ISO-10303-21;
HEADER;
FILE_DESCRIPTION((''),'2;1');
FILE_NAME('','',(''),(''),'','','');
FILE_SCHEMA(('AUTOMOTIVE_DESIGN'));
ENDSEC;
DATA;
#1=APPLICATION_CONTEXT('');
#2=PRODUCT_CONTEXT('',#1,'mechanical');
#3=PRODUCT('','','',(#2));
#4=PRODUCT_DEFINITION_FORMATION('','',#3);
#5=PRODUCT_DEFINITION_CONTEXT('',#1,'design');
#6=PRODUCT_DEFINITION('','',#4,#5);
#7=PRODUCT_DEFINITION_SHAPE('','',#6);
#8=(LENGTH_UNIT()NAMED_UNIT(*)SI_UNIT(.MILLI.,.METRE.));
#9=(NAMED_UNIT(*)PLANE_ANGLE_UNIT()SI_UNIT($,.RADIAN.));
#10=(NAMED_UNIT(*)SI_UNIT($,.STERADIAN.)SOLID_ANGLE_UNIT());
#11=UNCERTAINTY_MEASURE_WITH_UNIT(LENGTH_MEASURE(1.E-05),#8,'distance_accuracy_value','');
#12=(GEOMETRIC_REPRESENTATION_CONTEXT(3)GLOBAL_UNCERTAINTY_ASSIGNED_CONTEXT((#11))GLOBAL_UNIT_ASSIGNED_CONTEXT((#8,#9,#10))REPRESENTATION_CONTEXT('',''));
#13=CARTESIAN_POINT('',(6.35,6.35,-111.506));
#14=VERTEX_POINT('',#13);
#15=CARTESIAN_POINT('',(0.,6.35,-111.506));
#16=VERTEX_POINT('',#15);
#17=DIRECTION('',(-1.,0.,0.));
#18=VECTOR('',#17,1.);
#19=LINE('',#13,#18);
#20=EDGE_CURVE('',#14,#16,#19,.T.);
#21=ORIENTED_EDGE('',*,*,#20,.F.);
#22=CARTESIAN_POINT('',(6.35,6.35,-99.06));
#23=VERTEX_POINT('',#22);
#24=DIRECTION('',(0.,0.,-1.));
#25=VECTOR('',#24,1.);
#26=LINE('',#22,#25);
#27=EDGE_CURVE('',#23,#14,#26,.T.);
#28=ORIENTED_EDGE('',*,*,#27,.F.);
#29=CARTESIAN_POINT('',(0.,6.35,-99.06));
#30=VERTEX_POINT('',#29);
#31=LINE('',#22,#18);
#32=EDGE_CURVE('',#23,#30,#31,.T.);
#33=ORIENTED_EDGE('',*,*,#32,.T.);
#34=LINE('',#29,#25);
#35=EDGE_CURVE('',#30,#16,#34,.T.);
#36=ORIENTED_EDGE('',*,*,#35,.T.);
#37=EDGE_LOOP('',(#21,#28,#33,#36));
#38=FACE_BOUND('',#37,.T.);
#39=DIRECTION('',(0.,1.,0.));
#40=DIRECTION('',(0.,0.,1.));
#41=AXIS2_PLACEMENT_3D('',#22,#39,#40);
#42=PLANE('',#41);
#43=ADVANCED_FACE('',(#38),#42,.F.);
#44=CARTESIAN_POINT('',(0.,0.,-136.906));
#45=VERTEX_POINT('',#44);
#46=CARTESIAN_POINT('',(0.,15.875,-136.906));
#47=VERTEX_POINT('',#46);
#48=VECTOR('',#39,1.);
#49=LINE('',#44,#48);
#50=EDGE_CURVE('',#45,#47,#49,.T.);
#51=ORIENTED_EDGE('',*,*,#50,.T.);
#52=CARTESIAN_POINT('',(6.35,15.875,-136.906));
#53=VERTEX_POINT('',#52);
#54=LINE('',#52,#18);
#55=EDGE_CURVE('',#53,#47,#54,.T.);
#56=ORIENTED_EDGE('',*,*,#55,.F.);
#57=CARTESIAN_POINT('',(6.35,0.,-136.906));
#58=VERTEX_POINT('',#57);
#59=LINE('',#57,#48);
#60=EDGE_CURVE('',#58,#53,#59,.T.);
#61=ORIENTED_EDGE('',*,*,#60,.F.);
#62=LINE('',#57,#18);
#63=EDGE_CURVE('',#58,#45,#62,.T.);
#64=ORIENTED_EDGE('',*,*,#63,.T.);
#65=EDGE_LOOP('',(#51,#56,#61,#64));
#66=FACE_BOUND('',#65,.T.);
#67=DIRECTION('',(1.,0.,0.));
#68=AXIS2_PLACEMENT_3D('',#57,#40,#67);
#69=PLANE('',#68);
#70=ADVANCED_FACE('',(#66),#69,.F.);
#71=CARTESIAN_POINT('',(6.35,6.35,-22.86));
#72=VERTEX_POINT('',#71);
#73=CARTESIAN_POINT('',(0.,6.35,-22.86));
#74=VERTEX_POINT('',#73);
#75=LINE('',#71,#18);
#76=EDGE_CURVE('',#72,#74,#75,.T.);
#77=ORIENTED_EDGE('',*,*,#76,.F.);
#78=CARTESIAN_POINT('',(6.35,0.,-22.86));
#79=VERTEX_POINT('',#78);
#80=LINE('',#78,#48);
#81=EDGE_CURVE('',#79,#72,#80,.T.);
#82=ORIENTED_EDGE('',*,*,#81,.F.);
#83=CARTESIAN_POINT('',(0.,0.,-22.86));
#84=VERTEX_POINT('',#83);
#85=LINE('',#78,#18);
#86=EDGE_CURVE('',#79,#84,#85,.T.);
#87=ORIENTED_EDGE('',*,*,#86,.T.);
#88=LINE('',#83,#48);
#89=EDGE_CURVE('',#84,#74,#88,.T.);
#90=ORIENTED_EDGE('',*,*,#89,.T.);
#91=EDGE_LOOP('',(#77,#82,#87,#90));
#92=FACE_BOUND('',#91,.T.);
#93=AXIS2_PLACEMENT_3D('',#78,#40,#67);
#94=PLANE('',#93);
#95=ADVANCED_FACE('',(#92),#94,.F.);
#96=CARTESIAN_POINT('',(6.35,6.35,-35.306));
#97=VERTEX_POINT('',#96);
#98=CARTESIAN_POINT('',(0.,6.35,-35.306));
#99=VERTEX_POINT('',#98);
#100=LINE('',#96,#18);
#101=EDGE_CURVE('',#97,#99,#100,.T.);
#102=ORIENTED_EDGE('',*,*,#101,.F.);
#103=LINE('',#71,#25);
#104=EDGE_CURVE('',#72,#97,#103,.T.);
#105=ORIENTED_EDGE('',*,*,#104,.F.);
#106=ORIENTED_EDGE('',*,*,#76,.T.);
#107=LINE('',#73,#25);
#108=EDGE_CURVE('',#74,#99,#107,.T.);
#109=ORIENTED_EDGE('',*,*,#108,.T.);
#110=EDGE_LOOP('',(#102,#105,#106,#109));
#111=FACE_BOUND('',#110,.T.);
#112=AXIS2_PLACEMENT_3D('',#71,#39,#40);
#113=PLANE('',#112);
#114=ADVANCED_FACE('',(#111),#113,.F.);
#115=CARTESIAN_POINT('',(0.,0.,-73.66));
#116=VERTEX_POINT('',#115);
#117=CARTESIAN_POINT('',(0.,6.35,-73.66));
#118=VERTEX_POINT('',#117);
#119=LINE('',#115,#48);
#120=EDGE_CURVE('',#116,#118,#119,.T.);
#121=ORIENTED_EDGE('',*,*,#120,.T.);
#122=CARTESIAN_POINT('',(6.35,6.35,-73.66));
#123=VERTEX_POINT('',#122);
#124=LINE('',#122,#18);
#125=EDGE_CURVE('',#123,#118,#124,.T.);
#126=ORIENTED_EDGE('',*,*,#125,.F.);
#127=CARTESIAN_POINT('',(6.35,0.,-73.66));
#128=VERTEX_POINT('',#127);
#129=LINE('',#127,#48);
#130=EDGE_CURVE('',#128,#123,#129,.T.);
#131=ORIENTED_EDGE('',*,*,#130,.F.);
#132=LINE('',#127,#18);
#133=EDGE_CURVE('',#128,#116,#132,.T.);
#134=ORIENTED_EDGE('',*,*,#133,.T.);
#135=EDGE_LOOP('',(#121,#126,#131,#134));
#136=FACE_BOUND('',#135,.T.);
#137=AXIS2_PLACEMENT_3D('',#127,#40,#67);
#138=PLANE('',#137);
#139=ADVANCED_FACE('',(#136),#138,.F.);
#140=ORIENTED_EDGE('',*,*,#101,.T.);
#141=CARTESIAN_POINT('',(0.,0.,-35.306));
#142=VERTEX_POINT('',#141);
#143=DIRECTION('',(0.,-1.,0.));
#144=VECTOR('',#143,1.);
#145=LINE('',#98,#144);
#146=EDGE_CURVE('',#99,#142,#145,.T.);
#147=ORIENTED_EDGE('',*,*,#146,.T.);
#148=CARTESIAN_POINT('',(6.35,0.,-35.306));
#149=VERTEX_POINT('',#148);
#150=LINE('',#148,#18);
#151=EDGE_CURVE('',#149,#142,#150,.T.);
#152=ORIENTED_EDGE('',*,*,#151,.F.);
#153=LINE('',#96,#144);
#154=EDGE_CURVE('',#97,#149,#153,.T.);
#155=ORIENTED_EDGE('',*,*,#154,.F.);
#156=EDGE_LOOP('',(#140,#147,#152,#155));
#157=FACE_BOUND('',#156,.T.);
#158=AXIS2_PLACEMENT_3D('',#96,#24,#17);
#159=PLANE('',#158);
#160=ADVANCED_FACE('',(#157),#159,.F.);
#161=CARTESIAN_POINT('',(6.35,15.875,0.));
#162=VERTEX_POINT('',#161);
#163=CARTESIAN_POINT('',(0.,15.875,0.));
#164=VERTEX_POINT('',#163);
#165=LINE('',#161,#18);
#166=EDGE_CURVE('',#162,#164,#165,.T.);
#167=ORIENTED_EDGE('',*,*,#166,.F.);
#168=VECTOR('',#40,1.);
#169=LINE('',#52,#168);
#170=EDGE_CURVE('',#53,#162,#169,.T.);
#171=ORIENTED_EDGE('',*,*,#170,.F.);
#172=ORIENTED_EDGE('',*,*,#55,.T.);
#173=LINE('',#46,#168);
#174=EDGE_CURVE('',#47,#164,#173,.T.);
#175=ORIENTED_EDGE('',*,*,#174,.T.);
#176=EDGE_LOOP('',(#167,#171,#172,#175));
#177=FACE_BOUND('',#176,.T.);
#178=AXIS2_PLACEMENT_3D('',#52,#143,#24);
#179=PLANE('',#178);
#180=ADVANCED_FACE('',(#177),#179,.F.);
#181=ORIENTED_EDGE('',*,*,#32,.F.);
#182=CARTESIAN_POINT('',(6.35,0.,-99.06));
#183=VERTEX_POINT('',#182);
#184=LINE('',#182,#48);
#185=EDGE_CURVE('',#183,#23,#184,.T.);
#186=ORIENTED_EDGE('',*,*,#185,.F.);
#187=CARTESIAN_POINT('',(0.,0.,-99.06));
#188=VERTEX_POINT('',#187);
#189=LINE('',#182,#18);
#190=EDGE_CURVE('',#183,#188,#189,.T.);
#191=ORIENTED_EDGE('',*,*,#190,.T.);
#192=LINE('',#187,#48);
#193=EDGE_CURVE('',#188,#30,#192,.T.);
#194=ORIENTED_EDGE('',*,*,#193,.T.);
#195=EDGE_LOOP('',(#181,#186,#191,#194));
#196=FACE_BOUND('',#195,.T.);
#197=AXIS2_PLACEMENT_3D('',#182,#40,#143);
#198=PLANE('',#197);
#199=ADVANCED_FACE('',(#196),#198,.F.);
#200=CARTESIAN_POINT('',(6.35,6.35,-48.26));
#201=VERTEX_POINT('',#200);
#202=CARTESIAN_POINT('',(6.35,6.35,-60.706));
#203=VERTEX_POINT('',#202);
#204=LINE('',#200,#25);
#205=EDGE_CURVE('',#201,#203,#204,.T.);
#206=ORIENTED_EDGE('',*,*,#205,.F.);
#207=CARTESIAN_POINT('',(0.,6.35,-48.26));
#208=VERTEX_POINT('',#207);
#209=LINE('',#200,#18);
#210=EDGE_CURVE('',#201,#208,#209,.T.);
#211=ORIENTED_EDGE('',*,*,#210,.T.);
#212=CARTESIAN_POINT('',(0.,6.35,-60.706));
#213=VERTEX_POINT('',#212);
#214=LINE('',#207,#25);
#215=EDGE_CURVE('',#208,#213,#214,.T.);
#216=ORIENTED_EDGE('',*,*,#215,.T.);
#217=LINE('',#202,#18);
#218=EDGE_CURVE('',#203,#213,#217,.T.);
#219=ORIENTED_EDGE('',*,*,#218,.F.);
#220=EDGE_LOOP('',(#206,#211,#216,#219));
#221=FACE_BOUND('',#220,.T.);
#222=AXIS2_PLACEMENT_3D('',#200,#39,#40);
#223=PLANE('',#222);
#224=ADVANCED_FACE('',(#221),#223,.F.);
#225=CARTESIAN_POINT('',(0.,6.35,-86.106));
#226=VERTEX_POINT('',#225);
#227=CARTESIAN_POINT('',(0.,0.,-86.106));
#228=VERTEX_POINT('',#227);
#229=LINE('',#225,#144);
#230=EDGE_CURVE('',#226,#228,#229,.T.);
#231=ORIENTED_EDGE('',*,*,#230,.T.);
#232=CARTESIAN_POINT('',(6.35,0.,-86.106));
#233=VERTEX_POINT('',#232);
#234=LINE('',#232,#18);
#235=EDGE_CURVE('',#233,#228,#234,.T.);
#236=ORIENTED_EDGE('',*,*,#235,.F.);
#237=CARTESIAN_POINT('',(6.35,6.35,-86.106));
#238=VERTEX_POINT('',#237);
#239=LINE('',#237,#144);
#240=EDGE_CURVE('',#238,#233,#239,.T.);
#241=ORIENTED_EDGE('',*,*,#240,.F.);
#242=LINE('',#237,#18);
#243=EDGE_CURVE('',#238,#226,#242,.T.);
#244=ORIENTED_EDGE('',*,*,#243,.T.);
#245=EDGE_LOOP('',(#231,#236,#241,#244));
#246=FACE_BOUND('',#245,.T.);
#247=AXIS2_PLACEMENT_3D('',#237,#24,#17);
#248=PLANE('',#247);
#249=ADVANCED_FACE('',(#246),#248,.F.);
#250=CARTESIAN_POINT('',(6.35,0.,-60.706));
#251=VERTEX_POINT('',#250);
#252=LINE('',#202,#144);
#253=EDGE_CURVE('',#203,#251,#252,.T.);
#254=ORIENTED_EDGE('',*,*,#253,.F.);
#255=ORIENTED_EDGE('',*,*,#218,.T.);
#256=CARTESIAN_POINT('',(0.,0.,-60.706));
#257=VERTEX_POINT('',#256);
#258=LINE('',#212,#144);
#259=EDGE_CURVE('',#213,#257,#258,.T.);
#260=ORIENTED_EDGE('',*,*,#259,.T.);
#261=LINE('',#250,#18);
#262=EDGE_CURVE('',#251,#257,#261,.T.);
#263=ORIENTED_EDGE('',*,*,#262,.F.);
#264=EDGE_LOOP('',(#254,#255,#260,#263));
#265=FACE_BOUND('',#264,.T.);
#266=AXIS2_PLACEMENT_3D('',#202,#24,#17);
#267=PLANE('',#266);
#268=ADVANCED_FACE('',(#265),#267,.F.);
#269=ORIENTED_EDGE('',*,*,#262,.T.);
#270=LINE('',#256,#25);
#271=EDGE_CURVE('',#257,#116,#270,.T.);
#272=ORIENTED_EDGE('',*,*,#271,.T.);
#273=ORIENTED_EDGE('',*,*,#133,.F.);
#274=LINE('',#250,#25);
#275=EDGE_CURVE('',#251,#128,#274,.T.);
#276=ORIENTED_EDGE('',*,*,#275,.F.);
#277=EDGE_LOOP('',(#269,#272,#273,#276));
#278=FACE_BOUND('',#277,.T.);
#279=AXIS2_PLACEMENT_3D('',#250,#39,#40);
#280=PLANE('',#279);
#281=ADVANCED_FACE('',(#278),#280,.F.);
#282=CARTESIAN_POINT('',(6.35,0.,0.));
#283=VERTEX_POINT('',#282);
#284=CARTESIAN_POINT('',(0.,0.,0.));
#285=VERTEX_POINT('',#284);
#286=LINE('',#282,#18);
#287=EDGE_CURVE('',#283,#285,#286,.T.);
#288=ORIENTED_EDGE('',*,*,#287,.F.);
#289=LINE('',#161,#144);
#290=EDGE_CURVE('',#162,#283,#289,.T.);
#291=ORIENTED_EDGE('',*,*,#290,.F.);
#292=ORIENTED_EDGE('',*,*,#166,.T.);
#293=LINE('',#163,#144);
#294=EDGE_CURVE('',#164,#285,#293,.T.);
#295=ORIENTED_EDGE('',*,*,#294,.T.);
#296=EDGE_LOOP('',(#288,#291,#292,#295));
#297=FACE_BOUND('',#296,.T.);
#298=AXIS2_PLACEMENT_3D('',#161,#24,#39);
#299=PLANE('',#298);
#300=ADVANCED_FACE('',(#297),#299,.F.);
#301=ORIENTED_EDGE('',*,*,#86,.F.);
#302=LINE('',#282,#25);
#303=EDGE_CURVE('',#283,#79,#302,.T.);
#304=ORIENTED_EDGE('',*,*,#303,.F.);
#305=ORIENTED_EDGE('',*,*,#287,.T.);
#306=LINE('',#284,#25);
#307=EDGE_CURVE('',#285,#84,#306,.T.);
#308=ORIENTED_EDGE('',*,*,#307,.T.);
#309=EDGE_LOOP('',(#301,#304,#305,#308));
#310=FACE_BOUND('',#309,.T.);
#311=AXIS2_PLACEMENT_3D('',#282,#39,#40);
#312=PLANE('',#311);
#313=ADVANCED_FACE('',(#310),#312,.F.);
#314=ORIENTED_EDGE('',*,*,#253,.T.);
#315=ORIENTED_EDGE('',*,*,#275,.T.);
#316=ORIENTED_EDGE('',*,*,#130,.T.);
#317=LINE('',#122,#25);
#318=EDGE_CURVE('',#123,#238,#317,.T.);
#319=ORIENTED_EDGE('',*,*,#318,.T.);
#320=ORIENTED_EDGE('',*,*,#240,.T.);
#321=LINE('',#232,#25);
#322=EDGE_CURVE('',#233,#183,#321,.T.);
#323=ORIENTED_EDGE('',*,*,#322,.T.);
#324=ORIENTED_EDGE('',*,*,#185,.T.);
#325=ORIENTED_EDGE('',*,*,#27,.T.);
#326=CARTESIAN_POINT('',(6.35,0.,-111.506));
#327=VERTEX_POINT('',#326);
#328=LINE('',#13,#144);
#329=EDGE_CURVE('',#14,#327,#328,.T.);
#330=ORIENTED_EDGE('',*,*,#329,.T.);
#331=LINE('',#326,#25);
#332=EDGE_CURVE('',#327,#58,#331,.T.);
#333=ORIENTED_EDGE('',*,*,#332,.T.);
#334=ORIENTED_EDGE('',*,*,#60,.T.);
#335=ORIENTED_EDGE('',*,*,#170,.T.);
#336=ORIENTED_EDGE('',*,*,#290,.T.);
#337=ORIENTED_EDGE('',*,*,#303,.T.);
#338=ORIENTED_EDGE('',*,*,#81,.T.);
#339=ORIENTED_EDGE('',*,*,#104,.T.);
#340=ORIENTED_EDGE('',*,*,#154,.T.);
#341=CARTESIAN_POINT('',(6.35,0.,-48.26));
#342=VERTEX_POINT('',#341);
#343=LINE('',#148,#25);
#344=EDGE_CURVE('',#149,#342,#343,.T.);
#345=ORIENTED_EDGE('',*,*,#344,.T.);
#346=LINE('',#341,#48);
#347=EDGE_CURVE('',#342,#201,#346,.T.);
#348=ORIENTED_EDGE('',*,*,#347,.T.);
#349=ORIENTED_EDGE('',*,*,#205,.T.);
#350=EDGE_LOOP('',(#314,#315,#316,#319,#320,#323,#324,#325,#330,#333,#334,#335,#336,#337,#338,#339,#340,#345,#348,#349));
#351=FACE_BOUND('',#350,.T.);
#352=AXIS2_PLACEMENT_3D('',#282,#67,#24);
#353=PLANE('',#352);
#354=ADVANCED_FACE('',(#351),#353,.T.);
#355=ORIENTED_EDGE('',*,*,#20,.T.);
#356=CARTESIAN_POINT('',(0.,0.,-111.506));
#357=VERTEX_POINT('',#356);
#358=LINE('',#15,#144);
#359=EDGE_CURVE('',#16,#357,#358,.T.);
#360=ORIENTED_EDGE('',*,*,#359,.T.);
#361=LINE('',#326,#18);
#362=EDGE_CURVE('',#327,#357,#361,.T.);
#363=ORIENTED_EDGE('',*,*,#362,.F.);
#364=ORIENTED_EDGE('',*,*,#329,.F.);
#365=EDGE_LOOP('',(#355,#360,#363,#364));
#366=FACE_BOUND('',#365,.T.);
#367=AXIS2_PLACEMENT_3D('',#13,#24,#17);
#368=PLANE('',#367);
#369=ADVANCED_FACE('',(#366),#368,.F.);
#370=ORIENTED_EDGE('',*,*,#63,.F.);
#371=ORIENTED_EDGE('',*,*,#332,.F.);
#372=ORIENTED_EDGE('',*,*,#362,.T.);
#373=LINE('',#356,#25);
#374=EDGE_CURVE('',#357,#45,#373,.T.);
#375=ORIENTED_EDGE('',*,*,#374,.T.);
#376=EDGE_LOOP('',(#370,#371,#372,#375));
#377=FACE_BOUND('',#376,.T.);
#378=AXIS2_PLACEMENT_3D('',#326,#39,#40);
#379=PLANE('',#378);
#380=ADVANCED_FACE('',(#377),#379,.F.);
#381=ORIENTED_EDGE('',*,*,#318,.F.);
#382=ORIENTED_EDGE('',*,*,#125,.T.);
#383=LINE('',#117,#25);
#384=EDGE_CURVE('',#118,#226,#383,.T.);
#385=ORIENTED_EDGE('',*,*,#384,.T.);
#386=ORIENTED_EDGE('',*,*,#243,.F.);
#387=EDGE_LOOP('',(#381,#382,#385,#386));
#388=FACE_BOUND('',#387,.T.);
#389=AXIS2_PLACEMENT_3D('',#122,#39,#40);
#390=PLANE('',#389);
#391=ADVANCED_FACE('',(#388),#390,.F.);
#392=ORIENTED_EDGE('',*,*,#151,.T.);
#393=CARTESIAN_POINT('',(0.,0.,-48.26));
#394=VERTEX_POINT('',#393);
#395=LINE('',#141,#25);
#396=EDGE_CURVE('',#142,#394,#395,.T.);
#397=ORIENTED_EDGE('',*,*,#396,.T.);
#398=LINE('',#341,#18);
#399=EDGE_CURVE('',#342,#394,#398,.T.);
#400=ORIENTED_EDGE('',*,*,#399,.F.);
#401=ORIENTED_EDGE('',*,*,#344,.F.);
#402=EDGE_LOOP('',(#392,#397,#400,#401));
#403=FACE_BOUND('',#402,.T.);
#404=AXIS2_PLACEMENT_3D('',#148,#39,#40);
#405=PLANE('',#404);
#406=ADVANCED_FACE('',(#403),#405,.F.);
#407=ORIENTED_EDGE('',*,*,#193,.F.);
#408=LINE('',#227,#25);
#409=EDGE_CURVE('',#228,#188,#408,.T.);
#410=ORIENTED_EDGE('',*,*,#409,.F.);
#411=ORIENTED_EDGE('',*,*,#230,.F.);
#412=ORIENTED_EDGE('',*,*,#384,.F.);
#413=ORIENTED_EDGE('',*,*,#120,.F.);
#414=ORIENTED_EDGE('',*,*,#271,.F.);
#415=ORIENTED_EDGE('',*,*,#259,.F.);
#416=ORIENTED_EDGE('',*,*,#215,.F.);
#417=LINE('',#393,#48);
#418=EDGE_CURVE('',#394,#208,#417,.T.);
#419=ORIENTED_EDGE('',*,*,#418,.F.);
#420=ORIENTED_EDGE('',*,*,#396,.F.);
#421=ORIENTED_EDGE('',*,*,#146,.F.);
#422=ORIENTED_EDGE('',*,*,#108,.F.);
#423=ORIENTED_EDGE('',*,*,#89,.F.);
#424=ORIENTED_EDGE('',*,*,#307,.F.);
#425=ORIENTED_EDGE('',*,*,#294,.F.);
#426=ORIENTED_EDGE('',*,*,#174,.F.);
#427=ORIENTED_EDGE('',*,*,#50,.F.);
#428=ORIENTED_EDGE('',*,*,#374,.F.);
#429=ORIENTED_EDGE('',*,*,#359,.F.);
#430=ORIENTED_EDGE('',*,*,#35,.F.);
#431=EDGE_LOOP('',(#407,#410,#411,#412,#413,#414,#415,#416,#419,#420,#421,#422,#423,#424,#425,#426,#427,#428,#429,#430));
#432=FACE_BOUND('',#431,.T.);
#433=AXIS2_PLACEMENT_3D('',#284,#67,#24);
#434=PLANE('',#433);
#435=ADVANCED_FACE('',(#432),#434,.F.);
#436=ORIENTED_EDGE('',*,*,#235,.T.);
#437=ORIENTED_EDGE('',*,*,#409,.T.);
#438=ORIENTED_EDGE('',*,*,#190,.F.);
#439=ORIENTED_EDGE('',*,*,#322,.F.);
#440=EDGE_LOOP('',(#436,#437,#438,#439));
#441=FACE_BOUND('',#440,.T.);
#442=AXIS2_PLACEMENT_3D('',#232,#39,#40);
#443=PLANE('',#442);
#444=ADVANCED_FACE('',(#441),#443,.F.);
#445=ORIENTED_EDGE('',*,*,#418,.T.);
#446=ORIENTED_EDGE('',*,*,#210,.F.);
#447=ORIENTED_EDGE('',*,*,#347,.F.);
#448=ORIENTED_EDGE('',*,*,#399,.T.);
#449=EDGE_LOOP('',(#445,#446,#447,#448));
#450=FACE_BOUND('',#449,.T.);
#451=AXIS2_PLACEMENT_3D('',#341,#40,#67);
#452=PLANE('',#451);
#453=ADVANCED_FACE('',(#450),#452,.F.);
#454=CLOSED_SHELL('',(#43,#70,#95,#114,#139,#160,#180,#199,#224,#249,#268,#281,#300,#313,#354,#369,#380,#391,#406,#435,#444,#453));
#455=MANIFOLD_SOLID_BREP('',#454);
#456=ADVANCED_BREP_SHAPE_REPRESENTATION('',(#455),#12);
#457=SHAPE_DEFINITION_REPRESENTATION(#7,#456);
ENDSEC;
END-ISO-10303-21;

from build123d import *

# Parameters (mm, degrees)
BOSS_EXTRUDE1_DEPTH = 6.35


with BuildPart() as part:
    # Sketch1 → Boss-Extrude1 (new body)
    with BuildSketch(Plane(origin=(0, 0, 0), x_dir=(0, 0, -1), z_dir=(1, 0, 0))):
        Polygon((0, 0), (22.86, 0), (22.86, 6.35), (35.306, 6.35), (35.306, 0), (48.26, 0), (48.26, 6.35), (60.706, 6.35), (60.706, 0), (73.66, 0), (73.66, 6.35), (86.106, 6.35), (86.106, 0), (99.06, 0), (99.06, 6.35), (111.506, 6.35), (111.506, 0), (136.906, 0), (136.906, 15.875), (0, 15.875), align=None)
    extrude(amount=BOSS_EXTRUDE1_DEPTH)


solid = part.part
